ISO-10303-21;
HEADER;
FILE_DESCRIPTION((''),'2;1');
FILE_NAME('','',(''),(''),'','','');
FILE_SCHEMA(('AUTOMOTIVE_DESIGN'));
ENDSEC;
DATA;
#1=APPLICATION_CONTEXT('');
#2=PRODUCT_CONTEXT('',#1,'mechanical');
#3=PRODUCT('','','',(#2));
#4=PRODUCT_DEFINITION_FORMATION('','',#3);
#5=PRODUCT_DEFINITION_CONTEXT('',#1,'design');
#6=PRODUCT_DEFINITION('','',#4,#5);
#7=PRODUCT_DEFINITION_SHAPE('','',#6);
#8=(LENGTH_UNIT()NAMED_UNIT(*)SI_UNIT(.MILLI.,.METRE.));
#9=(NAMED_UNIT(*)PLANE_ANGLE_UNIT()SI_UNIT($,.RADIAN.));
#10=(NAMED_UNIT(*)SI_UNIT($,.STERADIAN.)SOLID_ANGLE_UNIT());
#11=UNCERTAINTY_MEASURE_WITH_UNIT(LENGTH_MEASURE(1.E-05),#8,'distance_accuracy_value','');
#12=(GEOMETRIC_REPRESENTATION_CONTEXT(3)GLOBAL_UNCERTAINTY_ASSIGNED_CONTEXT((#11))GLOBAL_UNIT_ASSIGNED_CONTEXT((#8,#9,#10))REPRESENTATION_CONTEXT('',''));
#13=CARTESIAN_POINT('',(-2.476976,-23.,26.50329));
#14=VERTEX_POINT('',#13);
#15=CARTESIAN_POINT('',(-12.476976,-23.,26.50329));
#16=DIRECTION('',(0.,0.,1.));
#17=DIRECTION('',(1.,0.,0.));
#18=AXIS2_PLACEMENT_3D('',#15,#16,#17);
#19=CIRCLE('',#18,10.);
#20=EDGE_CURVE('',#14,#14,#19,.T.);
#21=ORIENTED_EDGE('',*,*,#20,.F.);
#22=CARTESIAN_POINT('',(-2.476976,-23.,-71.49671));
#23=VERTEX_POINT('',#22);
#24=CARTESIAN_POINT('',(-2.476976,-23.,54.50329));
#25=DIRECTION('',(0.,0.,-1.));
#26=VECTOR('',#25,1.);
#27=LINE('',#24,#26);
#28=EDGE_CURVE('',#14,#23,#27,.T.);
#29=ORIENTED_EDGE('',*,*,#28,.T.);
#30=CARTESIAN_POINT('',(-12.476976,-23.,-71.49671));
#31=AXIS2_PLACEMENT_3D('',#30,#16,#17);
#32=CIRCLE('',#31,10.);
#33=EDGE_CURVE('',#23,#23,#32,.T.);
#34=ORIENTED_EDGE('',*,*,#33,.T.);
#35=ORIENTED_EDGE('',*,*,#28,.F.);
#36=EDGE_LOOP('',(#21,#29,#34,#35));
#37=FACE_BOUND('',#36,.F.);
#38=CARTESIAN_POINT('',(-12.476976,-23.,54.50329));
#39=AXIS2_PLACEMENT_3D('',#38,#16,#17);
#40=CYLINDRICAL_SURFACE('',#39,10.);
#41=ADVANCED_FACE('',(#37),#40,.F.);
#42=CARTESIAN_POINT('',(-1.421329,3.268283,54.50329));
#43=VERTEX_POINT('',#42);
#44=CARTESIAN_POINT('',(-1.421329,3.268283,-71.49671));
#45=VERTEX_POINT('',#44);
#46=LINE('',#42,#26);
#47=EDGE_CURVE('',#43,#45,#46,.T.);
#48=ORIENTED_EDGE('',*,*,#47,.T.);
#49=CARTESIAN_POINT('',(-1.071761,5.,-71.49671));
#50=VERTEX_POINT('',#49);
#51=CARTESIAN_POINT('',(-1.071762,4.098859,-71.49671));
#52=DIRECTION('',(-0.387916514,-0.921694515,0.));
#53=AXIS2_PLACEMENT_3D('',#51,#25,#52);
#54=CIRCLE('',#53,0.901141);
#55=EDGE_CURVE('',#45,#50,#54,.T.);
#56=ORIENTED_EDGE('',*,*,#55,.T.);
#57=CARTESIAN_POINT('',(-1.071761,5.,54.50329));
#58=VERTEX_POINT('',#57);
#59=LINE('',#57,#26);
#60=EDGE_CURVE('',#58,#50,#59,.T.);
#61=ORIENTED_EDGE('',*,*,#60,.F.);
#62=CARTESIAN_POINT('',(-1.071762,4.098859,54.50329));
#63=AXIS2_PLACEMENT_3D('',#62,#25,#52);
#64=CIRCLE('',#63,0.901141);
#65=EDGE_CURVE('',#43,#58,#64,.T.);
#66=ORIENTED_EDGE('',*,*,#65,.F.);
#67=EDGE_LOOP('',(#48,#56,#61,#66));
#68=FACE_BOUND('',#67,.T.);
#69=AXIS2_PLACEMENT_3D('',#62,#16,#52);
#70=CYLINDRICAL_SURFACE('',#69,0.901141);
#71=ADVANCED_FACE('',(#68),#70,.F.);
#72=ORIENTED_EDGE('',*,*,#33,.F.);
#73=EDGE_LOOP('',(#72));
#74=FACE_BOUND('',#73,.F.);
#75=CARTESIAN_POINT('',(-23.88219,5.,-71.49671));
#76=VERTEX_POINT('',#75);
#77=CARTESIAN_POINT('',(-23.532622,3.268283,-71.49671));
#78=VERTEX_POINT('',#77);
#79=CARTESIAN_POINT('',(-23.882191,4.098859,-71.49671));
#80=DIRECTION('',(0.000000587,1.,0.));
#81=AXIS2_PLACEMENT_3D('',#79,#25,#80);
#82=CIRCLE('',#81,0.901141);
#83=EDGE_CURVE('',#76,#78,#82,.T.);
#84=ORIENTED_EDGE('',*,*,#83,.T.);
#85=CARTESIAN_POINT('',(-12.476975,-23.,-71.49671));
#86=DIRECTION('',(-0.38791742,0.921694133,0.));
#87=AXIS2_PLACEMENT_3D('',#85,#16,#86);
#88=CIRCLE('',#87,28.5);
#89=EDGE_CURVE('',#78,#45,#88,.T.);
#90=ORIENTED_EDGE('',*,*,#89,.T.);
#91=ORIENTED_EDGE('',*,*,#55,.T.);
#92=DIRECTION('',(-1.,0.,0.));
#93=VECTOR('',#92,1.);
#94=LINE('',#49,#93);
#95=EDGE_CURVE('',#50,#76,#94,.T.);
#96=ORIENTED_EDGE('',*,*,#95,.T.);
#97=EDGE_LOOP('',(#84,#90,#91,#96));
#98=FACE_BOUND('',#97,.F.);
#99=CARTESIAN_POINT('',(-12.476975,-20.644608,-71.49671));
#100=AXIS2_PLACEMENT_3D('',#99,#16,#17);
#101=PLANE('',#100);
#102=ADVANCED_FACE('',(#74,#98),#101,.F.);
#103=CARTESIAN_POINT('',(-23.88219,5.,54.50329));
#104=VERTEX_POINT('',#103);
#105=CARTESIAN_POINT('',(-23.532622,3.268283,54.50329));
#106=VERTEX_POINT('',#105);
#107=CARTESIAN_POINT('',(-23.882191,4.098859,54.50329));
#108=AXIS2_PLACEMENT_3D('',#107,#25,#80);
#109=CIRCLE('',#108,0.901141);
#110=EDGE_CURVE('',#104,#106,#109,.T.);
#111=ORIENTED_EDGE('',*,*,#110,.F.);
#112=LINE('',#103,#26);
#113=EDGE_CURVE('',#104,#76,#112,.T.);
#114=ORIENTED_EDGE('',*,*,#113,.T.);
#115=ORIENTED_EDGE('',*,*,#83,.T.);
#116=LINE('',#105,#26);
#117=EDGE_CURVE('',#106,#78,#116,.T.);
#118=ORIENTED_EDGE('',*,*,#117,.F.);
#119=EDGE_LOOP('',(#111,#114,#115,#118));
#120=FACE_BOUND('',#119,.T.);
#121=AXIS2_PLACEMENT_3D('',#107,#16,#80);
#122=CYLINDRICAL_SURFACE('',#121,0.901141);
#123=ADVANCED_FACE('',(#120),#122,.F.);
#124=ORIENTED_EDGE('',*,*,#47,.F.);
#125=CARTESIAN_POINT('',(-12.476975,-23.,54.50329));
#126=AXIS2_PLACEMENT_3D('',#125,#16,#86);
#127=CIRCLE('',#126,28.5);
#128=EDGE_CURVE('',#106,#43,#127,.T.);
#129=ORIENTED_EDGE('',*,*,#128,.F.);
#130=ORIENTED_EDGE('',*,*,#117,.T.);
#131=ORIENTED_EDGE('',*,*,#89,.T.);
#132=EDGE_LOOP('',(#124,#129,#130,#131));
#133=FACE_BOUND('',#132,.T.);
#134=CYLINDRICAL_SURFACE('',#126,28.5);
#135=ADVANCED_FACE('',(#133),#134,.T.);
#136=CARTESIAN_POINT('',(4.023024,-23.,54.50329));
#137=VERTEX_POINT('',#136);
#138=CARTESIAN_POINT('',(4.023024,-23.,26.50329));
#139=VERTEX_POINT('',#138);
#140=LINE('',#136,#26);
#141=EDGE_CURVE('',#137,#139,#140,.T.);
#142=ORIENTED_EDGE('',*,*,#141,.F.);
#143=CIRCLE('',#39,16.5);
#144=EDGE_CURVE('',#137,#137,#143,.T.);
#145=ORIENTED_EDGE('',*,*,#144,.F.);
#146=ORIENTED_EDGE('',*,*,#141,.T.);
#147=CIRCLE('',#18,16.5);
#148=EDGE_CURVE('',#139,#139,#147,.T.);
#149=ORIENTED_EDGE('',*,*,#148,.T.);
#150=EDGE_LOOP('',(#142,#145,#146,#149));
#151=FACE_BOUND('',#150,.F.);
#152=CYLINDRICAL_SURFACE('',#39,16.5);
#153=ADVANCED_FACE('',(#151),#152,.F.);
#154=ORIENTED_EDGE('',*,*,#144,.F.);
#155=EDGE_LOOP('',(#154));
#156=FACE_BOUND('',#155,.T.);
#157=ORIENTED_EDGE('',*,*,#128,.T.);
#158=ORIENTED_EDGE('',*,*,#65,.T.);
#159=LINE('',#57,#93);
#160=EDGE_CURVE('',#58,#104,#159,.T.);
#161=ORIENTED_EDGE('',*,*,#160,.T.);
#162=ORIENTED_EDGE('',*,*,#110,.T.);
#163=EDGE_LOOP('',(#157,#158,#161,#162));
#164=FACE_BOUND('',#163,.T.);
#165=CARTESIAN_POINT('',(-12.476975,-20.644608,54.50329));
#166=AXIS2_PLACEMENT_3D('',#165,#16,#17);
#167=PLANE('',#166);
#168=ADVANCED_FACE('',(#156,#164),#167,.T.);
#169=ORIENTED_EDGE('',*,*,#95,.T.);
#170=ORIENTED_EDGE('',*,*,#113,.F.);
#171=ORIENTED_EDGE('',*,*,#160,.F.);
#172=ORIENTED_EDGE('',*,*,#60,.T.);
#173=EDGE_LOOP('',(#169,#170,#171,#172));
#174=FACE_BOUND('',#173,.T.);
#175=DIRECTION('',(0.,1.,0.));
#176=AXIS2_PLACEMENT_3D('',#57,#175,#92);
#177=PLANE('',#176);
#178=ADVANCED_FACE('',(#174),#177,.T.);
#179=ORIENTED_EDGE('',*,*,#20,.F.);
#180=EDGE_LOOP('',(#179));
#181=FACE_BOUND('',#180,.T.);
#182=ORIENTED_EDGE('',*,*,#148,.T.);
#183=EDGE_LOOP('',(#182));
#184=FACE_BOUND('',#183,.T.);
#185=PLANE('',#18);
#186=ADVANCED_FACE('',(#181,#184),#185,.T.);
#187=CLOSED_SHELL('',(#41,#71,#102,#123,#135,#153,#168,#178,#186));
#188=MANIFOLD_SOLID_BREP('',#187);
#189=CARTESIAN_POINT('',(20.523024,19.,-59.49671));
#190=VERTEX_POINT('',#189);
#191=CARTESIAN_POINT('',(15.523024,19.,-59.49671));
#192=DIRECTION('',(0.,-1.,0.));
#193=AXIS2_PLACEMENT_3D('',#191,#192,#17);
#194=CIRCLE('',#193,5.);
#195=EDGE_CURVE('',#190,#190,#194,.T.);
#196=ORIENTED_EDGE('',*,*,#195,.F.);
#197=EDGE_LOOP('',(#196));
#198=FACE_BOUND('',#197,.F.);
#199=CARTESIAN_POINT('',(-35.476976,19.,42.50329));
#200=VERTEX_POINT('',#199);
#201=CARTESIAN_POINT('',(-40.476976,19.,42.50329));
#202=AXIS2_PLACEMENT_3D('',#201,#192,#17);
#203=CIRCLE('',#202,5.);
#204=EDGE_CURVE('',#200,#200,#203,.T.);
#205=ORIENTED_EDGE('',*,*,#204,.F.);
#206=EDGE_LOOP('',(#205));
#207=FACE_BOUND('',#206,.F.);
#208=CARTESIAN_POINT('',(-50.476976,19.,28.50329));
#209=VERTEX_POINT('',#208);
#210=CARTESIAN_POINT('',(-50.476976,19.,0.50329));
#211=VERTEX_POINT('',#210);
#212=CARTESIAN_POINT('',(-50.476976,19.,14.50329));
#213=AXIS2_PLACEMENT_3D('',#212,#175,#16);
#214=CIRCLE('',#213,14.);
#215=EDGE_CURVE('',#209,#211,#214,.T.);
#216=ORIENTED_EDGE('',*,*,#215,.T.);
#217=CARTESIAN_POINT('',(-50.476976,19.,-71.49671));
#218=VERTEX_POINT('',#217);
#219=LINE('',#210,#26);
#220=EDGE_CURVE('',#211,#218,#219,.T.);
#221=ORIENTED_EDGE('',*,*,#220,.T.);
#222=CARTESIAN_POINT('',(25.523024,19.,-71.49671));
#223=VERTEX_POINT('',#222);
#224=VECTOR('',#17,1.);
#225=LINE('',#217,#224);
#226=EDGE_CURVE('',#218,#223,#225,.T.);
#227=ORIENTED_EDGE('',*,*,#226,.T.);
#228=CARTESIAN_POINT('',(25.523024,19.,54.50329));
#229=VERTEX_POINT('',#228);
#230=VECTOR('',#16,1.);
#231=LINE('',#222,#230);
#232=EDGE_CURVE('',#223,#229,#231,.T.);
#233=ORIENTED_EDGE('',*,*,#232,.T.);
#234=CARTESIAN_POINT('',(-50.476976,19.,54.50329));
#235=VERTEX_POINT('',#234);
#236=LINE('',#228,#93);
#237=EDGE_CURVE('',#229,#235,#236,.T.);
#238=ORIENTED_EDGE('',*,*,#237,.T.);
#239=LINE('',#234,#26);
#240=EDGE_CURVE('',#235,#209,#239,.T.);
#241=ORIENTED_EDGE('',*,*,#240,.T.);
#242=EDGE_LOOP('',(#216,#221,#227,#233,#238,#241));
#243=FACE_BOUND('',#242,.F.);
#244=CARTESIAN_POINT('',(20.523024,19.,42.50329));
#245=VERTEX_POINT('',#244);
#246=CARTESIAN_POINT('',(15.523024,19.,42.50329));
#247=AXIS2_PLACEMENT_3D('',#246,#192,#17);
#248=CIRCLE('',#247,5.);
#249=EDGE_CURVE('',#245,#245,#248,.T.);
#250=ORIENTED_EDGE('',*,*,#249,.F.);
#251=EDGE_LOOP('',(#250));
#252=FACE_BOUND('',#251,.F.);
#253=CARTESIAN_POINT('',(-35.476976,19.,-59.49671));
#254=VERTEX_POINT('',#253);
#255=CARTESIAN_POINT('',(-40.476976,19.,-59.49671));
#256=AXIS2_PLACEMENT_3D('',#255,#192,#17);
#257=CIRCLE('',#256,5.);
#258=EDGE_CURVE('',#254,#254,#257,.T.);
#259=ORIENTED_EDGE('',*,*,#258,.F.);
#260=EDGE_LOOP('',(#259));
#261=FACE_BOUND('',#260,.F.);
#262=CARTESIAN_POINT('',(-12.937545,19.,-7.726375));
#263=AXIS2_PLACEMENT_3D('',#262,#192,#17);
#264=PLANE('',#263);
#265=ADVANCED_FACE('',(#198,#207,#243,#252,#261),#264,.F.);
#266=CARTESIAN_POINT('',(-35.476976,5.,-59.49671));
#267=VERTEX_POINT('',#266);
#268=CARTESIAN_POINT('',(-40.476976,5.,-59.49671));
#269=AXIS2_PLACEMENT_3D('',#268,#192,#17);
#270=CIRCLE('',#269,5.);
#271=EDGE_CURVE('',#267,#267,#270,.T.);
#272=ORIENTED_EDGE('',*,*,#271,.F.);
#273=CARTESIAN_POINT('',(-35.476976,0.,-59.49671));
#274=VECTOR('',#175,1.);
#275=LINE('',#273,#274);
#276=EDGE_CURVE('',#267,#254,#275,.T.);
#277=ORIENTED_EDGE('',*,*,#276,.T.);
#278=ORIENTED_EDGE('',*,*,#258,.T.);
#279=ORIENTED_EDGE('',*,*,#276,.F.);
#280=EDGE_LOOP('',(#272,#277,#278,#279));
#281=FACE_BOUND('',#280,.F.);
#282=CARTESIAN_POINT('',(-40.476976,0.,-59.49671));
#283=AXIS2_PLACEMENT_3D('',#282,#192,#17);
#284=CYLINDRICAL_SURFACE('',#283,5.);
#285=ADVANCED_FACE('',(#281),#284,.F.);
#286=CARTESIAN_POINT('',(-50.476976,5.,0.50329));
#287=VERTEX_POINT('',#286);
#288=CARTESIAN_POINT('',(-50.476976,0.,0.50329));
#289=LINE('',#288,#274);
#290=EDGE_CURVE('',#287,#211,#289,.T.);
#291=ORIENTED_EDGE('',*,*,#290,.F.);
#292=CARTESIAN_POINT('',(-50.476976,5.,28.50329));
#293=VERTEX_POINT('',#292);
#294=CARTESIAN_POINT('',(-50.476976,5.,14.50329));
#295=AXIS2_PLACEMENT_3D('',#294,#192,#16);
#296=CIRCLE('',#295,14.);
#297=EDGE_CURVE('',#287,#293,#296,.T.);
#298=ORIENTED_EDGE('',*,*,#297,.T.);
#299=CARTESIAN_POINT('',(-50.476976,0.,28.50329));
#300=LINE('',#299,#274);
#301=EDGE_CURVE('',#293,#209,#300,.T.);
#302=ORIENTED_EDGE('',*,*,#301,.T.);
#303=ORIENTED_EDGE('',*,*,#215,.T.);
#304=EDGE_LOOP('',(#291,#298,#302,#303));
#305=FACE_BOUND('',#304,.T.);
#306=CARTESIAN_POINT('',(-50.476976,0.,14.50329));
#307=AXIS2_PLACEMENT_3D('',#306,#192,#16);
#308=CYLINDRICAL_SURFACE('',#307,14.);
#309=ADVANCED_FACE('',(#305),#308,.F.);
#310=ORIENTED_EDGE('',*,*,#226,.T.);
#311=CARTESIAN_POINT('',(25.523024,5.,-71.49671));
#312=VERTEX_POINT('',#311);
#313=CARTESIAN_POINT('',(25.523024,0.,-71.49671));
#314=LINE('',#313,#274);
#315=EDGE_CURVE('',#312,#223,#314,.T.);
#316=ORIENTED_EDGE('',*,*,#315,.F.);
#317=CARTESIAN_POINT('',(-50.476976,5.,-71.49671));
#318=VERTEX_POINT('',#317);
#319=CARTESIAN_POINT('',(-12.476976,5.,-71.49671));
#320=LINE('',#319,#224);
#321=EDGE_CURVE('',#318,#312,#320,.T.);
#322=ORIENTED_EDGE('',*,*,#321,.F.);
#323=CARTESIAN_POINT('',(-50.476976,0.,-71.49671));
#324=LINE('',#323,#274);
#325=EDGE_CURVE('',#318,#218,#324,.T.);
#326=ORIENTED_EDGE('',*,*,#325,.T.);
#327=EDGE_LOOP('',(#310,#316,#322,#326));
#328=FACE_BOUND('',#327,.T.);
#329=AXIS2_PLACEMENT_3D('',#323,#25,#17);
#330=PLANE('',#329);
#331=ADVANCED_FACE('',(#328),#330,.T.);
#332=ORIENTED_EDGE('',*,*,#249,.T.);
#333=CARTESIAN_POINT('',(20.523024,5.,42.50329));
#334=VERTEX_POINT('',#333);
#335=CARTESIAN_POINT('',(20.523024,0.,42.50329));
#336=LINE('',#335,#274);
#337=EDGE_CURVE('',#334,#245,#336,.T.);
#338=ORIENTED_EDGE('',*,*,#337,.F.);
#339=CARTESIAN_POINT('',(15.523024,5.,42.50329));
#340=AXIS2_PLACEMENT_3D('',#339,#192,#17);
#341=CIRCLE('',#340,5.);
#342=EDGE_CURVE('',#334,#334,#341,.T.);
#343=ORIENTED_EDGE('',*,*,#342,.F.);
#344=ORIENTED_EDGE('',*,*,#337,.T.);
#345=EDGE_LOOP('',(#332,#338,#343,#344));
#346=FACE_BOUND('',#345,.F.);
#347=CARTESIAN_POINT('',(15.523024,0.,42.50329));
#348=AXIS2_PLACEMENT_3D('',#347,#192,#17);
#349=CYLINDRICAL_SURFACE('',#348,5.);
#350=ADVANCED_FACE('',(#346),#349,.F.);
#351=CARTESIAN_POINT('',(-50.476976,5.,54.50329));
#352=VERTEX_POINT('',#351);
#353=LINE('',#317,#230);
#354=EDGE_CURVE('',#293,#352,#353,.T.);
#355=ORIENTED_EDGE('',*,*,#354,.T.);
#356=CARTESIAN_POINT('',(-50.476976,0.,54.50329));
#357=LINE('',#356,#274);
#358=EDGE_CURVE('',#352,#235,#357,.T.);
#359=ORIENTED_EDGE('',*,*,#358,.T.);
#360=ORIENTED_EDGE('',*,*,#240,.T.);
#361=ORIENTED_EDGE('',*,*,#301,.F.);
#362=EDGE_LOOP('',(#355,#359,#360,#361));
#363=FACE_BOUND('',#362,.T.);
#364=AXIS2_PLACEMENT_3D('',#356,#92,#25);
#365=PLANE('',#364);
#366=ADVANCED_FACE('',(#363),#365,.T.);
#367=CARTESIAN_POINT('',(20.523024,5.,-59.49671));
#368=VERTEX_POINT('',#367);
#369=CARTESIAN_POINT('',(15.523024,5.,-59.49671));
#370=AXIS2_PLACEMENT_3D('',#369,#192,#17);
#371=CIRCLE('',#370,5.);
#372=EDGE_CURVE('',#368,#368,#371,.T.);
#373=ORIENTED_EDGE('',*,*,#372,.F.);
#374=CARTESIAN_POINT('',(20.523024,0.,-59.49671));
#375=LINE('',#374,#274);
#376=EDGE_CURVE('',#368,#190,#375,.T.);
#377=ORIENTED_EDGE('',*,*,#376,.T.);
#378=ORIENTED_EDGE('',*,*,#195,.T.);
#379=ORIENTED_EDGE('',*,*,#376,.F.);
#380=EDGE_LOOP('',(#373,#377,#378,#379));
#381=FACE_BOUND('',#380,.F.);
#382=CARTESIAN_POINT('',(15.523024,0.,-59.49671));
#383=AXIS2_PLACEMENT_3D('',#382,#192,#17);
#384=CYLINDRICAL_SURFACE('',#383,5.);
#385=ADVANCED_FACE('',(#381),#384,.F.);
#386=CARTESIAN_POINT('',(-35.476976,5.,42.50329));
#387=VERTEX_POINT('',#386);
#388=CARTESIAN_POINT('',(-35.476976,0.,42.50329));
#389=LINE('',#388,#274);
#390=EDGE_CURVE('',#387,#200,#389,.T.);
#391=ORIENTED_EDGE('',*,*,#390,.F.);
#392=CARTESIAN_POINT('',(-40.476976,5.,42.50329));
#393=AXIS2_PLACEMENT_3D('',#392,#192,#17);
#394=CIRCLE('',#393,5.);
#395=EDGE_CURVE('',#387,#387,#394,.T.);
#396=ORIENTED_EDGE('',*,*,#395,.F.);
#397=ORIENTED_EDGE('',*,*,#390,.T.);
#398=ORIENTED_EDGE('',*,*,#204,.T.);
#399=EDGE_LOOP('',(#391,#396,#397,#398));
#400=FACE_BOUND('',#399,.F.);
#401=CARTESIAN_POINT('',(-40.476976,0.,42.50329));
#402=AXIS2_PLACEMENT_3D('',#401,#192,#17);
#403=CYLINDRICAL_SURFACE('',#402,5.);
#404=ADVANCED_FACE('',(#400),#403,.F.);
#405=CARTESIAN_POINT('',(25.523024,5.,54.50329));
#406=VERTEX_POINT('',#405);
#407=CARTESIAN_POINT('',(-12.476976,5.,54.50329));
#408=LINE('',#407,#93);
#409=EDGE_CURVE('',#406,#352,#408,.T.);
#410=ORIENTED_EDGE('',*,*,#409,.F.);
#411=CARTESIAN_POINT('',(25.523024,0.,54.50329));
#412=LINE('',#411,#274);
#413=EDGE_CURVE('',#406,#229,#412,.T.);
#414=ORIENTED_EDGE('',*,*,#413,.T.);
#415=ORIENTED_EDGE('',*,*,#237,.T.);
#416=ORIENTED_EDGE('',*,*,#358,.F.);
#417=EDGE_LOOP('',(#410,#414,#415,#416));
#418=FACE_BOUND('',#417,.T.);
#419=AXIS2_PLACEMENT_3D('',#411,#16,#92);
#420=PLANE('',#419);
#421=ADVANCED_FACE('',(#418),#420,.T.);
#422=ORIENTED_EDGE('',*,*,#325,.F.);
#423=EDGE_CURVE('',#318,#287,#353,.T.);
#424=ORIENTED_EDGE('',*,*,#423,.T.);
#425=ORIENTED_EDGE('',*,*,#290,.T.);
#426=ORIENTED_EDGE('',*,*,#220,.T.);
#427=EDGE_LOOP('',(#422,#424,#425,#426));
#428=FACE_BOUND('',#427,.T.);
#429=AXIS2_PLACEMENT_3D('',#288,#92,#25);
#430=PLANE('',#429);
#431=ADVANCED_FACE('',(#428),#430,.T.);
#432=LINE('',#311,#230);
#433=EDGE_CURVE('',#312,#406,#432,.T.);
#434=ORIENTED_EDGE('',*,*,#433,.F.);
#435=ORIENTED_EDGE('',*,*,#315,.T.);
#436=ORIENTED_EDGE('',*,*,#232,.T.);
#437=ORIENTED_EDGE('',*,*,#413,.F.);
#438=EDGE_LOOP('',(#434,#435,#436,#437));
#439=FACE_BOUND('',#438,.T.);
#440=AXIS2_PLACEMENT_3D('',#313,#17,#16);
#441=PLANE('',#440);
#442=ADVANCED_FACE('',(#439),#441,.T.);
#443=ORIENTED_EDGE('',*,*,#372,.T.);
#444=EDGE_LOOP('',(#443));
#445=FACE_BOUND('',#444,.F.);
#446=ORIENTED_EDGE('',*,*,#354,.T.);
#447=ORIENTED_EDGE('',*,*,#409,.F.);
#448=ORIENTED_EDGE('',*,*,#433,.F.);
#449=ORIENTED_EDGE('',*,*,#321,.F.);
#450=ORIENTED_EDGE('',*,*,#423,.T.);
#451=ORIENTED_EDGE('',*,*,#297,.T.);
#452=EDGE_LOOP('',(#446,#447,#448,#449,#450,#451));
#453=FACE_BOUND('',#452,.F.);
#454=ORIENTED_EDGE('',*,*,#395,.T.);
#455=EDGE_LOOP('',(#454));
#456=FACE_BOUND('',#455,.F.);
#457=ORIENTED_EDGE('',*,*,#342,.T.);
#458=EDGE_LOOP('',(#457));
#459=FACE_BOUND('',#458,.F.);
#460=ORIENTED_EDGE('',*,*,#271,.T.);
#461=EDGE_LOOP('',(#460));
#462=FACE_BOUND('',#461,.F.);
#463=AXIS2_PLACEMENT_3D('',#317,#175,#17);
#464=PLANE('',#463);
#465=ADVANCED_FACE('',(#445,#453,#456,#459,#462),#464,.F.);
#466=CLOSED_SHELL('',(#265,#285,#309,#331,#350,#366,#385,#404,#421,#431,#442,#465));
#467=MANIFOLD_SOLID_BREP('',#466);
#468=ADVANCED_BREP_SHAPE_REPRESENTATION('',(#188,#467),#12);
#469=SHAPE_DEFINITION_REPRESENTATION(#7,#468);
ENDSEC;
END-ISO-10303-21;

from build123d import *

# Parameters (mm, degrees)
F0_R     = 5
F1_DEPTH = 19
F2_W     = 76
F2_H     = 5
F3_DEPTH = 126.001
F4_R     = 10
F5_DEPTH = 126
F6_R     = 16.5
F7_DEPTH = 28


with BuildPart() as f1:
    # F0 (on Front) → F1 (new body)
    with BuildSketch(Plane.XZ):
        with BuildLine():
            Line((25.523024, 54.50329), (-50.476976, 54.50329))
            Line((-50.476976, 54.50329), (-50.476976, 28.50329))
            ThreePointArc((-50.476976, 28.50329), (-36.476976, 14.50329), (-50.476976, 0.50329))
            Line((-50.476976, 0.50329), (-50.476976, -71.49671))
            Line((-50.476976, -71.49671), (25.523024, -71.49671))
            Line((25.523024, -71.49671), (25.523024, 54.50329))
        make_face()
        with Locations((-40.476976, -59.49671)):
            Circle(F0_R, mode=Mode.SUBTRACT)
        with Locations((15.523024, -59.49671)):
            Circle(F0_R, mode=Mode.SUBTRACT)
        with Locations((-40.476976, 42.50329)):
            Circle(F0_R, mode=Mode.SUBTRACT)
        with Locations((15.523024, 42.50329)):
            Circle(F0_R, mode=Mode.SUBTRACT)
    extrude(amount=-F1_DEPTH)

    # F2 (on face) → F3 (cut, through all)
    with BuildSketch(Plane(origin=(0, 0, -71.49671), x_dir=(1, 0, 0), z_dir=(0, 0, -1))):
        with Locations((-12.476976, -2.5)):
            Rectangle(F2_W, F2_H)
    extrude(amount=-F3_DEPTH, mode=Mode.SUBTRACT)


with BuildPart() as f5:
    # F4 (on face) → F5 (new body, through all)
    with BuildSketch(Plane.XY.offset(54.50329)):
        with BuildLine():
            ThreePointArc((-23.88219, 5), (-22.998867, 4.277169), (-23.532622, 3.268283))
            ThreePointArc((-23.532622, 3.268283), (-12.476976, -51.5), (-1.421329, 3.268283))
            ThreePointArc((-1.421329, 3.268283), (-1.955085, 4.277169), (-1.071761, 5))
            Line((-1.071761, 5), (-23.88219, 5))
        make_face()
        with Locations((-12.476976, -23)):
            Circle(F4_R, mode=Mode.SUBTRACT)
    extrude(amount=-F5_DEPTH)

    # F6 (on face) → F7 (cut)
    with BuildSketch(Plane.XY.offset(54.50329)):
        with Locations((-12.476976, -23)):
            Circle(F6_R)
    extrude(amount=-F7_DEPTH, mode=Mode.SUBTRACT)


solid = Compound([f1.part, f5.part])
